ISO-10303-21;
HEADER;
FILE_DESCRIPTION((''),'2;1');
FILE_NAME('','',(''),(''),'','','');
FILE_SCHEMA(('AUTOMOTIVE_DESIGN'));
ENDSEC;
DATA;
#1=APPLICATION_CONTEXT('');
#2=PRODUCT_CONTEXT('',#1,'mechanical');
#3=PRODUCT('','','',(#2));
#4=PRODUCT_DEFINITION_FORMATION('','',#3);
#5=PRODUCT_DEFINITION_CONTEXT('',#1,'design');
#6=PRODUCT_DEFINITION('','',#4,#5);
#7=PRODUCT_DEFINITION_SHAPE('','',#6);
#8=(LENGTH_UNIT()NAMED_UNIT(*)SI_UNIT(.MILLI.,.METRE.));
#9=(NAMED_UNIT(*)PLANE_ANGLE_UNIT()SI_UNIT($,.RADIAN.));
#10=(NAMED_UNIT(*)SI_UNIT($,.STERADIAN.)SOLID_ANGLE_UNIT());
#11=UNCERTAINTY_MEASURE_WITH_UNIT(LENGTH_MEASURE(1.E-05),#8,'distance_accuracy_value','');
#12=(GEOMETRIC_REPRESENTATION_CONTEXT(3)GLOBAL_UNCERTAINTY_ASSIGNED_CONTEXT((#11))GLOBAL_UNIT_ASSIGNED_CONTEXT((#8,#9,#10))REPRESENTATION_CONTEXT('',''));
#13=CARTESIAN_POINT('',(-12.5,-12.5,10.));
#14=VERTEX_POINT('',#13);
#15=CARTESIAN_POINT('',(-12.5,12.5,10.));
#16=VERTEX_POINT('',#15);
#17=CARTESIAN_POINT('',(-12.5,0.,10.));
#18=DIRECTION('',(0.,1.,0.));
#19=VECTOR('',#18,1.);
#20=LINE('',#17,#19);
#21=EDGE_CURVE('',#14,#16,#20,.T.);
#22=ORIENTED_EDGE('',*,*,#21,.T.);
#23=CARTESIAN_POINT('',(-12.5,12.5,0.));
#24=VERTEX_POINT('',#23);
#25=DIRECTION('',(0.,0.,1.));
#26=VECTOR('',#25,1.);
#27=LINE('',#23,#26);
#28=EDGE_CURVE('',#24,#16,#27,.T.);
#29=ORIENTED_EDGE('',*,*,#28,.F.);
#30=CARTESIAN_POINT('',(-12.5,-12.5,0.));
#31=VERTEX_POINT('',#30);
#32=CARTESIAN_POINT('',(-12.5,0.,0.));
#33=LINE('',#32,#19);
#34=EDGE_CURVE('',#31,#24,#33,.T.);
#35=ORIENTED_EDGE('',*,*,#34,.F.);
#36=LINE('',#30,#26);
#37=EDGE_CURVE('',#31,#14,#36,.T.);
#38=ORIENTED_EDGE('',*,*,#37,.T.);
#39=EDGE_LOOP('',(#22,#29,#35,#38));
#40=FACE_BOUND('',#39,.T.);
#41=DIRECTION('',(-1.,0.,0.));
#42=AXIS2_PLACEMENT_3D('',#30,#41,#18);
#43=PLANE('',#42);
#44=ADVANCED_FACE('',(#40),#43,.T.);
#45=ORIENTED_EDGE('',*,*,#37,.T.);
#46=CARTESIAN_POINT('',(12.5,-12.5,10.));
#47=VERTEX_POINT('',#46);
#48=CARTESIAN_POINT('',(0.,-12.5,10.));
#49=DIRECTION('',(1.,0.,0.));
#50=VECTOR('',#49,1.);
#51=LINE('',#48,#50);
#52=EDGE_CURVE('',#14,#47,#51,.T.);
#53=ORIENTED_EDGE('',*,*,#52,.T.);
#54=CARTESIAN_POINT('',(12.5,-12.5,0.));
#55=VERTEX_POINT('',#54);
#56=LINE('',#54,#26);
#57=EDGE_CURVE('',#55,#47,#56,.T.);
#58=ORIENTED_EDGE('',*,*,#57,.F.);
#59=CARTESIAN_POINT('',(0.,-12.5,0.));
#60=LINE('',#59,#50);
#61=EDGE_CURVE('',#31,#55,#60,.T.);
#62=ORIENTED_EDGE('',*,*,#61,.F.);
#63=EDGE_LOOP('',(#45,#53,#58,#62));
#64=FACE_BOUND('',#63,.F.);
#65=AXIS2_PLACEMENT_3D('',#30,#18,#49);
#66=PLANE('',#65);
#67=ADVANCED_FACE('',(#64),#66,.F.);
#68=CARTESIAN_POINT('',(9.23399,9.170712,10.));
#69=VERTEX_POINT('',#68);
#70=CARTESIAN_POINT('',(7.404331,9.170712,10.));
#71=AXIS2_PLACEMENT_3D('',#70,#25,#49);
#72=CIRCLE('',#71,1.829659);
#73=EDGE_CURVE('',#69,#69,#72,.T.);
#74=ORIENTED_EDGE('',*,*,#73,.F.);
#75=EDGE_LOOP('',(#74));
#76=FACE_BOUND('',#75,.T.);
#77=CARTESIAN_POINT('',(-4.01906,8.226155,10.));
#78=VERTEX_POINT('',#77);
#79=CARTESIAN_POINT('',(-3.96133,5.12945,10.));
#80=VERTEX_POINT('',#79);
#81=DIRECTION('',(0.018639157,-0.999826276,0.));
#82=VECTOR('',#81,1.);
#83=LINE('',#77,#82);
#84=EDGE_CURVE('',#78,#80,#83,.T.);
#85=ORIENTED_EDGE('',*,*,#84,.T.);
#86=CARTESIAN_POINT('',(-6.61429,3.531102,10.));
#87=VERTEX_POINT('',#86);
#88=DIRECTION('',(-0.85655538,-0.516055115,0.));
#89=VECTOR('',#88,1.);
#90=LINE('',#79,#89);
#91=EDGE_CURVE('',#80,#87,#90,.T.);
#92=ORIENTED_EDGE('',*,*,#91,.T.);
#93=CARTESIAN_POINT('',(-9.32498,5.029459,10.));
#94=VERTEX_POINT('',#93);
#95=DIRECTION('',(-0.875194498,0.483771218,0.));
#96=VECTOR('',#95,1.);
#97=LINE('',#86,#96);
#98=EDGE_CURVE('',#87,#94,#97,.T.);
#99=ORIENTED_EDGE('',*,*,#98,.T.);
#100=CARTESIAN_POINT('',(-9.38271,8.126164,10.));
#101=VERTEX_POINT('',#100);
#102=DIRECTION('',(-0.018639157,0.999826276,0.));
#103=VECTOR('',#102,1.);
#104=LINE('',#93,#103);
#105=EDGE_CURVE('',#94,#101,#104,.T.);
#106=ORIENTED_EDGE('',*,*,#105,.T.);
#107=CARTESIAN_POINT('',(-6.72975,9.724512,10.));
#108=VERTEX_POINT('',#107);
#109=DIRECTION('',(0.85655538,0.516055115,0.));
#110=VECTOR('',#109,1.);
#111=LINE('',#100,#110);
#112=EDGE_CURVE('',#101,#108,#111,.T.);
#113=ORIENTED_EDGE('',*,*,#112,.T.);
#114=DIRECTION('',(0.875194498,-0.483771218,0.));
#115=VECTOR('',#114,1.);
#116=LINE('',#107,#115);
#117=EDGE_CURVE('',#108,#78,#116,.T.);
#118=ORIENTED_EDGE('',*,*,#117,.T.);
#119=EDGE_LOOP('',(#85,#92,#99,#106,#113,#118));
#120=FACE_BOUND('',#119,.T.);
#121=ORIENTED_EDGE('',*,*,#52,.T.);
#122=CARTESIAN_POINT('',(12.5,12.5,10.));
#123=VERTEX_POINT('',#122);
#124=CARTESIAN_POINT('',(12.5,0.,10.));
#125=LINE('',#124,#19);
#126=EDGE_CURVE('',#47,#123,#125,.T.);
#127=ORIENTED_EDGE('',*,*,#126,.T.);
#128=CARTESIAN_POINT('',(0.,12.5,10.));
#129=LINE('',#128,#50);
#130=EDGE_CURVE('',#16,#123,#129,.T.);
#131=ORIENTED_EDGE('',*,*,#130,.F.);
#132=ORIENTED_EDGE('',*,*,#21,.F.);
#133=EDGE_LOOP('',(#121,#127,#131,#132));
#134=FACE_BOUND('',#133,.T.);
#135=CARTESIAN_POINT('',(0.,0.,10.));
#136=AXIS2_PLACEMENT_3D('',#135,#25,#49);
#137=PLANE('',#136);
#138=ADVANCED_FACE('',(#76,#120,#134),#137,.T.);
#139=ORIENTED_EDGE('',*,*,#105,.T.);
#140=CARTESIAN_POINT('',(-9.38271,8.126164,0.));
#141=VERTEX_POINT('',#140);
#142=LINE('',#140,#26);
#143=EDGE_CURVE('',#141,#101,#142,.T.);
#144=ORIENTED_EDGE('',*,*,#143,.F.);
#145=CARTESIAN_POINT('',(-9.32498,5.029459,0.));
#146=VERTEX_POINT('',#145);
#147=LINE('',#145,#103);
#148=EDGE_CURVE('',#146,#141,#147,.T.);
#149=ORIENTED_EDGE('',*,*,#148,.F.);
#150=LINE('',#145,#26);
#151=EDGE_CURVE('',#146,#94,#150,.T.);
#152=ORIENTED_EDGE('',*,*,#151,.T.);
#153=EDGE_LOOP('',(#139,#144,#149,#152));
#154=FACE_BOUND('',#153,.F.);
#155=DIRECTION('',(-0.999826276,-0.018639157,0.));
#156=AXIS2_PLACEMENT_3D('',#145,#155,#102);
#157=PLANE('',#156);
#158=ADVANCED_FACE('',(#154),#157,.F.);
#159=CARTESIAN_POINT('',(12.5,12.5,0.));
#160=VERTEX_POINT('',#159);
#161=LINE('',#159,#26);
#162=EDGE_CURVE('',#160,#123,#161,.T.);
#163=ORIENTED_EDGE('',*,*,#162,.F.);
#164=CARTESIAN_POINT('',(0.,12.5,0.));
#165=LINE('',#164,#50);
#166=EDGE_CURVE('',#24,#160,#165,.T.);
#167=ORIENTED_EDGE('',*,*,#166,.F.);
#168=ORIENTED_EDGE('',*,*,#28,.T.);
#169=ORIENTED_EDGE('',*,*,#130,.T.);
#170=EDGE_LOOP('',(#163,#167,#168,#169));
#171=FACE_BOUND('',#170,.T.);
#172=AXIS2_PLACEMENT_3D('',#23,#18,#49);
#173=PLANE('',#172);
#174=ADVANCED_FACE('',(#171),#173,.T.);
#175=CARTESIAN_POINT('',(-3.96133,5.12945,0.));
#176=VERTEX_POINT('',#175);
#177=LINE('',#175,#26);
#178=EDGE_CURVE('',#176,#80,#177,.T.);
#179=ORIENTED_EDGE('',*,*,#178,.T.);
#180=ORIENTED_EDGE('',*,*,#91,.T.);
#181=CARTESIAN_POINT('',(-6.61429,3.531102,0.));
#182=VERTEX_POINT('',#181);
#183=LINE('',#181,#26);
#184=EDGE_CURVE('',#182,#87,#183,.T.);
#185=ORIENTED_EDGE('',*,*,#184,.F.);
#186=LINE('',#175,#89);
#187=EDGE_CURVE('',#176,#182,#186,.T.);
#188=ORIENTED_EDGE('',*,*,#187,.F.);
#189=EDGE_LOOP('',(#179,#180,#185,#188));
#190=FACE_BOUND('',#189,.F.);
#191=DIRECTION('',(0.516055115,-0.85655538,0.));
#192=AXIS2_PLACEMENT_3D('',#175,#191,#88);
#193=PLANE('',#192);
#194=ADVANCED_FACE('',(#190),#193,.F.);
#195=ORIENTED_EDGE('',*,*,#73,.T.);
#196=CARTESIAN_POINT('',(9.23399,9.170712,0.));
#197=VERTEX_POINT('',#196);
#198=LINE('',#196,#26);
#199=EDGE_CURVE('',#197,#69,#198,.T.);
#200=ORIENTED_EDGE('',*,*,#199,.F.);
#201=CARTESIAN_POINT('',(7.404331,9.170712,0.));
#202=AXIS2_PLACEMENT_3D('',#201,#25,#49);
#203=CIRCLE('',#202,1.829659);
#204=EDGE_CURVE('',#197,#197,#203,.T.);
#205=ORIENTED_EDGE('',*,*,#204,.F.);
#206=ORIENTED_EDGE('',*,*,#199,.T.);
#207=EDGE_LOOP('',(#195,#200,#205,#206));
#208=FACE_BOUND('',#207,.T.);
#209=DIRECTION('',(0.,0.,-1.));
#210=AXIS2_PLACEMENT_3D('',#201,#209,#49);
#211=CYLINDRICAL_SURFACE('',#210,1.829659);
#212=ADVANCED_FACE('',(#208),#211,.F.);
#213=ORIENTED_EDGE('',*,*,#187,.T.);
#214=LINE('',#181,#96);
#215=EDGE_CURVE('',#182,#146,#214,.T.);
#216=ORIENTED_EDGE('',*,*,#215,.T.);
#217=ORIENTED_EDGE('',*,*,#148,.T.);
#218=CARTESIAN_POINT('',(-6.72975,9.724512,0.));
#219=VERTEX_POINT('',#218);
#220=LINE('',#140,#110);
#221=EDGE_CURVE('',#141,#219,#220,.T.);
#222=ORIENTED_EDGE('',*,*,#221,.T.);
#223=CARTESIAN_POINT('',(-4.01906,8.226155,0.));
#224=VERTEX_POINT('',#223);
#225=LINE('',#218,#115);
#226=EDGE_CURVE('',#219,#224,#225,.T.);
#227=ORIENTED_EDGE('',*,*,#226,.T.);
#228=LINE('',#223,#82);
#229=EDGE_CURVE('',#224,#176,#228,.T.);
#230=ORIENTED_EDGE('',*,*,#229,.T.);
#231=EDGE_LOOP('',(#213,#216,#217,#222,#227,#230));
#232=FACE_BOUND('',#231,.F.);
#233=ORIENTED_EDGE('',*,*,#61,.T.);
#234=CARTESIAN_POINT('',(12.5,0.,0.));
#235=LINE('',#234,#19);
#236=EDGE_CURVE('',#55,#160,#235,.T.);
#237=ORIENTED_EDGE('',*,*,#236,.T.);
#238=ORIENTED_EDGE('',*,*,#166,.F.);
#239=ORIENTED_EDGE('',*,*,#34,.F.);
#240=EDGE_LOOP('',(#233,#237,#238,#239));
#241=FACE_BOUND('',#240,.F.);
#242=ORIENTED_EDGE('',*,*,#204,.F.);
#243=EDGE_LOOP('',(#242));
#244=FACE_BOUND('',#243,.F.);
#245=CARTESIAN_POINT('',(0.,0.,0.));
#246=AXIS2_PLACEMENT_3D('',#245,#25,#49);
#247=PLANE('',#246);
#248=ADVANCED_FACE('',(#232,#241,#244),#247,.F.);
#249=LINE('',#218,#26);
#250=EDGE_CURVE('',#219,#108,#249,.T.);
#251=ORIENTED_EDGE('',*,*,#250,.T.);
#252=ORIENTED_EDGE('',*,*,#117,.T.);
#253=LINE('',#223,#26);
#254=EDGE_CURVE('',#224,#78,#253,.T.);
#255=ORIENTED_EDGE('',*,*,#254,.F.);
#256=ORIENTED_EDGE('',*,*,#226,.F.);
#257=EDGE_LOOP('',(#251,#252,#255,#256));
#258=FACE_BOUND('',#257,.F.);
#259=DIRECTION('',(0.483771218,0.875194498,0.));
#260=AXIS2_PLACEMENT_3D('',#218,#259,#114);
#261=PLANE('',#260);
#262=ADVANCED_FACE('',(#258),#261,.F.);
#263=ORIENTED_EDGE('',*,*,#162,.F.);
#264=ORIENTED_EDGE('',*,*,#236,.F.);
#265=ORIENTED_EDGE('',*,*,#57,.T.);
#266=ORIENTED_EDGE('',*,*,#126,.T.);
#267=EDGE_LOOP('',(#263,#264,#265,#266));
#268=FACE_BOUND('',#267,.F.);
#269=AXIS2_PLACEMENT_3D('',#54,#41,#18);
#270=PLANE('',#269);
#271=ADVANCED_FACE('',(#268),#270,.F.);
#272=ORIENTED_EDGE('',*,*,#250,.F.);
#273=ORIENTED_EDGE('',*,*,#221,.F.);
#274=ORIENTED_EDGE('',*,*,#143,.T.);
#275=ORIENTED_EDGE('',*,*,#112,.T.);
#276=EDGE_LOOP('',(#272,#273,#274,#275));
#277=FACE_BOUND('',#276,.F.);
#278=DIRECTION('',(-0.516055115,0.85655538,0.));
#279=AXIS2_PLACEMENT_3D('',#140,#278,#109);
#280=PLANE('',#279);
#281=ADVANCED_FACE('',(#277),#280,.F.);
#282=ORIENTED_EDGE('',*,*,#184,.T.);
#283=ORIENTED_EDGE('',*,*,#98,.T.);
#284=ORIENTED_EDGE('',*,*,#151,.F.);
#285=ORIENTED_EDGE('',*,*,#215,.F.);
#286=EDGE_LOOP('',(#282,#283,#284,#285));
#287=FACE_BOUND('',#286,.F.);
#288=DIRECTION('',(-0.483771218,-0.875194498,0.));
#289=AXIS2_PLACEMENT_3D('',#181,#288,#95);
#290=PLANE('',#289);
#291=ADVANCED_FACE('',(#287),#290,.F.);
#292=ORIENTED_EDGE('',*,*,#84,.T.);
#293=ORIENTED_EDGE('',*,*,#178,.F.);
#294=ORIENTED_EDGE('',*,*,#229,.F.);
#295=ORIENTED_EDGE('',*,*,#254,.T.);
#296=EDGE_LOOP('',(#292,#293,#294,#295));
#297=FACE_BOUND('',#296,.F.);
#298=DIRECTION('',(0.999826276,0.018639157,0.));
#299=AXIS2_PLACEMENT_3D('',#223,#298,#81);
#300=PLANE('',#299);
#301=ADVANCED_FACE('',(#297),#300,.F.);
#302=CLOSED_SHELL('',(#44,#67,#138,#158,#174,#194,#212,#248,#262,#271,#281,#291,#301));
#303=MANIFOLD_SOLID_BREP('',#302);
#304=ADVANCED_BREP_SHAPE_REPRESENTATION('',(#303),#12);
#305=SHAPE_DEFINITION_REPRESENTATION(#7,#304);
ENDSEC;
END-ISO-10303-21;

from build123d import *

# Parameters (mm, degrees)
F0_W     = 25
F0_H     = 25
F0_R     = 1.829659
F1_DEPTH = 10


with BuildPart() as f1:
    # F0 (on Top) → F1 (new body)
    with BuildSketch(Plane.XY):
        Rectangle(F0_W, F0_H)
        Polygon((-4.01906, 8.226155), (-3.96133, 5.12945), (-6.61429, 3.531102), (-9.32498, 5.029459), (-9.38271, 8.126164), (-6.72975, 9.724512), align=None, mode=Mode.SUBTRACT)
        with Locations((7.404331, 9.170712)):
            Circle(F0_R, mode=Mode.SUBTRACT)
    extrude(amount=F1_DEPTH)


solid = f1.part
